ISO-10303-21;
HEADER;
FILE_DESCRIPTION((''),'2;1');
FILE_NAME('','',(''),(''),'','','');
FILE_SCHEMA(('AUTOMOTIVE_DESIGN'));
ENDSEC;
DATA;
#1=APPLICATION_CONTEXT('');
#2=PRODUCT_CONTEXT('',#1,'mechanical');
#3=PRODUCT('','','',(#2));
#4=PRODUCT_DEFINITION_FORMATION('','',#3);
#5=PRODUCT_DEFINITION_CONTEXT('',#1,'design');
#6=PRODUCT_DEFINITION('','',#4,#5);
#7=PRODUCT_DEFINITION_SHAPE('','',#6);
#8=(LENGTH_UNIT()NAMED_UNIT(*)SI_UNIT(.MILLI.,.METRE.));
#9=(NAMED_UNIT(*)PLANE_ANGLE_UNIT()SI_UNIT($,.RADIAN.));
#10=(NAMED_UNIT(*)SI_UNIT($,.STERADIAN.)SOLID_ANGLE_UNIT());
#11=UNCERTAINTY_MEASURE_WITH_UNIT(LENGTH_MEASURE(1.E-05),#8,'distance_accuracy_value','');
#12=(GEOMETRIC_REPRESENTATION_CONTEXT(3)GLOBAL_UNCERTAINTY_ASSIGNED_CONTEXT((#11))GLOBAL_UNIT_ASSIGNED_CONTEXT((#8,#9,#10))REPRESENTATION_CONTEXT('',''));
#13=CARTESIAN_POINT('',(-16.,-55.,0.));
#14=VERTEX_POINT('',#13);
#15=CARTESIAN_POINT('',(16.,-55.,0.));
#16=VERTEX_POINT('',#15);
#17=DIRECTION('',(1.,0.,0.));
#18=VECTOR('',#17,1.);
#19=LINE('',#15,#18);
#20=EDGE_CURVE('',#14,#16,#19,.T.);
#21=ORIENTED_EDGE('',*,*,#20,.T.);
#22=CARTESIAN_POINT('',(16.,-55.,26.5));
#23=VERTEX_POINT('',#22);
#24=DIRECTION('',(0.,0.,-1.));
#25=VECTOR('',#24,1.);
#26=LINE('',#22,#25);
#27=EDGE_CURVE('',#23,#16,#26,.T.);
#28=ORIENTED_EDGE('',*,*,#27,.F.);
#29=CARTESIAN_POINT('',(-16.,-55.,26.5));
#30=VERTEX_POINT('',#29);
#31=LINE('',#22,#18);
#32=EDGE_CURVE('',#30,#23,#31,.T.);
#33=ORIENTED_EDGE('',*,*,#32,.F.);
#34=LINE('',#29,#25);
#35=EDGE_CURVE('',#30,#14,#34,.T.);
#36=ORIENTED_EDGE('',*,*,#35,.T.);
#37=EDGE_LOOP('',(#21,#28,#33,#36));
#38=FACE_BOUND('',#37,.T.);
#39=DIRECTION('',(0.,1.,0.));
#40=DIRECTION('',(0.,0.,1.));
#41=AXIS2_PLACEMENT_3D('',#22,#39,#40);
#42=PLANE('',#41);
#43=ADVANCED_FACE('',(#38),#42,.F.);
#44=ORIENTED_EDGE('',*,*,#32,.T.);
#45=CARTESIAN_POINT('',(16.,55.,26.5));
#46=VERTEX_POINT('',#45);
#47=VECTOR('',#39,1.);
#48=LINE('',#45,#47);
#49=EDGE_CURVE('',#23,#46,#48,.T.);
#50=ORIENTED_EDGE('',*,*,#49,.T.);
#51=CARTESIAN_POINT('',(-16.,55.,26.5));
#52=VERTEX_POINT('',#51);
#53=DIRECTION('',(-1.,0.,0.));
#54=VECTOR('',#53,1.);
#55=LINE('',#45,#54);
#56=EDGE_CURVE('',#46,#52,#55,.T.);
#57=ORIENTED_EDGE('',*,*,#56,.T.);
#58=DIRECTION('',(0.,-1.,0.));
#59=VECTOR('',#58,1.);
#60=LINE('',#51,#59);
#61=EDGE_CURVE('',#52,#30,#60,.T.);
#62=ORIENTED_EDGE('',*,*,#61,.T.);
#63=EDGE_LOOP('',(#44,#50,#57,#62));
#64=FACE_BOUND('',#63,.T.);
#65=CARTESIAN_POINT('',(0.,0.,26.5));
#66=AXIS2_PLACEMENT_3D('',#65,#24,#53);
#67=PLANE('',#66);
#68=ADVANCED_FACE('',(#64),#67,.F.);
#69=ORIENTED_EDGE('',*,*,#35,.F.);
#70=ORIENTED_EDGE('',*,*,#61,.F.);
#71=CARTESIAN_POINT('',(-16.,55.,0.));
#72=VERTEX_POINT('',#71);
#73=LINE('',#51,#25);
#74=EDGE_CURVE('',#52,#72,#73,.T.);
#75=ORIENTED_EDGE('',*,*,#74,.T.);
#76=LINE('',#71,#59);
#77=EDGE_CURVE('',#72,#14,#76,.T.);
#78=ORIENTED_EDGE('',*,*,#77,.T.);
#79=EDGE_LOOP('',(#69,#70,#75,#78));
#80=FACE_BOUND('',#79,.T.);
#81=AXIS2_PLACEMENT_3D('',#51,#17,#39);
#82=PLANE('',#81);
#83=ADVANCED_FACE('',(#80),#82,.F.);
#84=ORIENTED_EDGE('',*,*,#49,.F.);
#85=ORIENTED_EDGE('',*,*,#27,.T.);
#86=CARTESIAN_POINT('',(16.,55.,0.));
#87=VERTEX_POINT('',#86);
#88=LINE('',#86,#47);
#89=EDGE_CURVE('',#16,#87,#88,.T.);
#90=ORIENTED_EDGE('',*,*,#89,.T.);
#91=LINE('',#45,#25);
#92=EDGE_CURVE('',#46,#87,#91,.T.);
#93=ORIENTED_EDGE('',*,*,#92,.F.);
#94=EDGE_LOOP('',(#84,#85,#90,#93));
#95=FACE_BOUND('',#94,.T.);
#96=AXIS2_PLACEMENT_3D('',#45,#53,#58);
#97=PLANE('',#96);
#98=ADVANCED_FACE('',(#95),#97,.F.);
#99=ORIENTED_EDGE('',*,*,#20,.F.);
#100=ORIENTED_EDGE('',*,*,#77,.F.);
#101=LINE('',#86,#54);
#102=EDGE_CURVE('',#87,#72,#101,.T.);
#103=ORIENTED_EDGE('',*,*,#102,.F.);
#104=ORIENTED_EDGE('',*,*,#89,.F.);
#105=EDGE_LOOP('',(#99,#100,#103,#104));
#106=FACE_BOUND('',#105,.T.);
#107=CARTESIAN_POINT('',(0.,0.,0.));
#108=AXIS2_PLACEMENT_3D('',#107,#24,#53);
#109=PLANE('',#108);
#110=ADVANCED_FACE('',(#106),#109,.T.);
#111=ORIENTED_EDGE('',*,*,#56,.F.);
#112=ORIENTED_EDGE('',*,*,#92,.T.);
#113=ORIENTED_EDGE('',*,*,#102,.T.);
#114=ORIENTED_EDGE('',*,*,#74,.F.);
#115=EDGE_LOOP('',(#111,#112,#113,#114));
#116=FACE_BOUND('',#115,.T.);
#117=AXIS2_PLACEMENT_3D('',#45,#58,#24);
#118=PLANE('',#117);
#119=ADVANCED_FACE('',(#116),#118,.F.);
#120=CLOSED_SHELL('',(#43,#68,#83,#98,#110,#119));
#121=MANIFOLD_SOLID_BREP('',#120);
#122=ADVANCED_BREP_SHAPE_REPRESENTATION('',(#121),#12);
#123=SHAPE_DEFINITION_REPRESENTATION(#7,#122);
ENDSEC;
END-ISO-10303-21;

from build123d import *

# Parameters (mm, degrees)
ESBO_O1_W                = 32
ESBO_O1_H                = 110
RESSALTO_EXTRUS_O1_DEPTH = 26.5


with BuildPart() as part:
    # Esboço1 → Ressalto-extrusão1 (new body)
    with BuildSketch(Plane.XY):
        Rectangle(ESBO_O1_W, ESBO_O1_H)
    extrude(amount=RESSALTO_EXTRUS_O1_DEPTH)


solid = part.part
